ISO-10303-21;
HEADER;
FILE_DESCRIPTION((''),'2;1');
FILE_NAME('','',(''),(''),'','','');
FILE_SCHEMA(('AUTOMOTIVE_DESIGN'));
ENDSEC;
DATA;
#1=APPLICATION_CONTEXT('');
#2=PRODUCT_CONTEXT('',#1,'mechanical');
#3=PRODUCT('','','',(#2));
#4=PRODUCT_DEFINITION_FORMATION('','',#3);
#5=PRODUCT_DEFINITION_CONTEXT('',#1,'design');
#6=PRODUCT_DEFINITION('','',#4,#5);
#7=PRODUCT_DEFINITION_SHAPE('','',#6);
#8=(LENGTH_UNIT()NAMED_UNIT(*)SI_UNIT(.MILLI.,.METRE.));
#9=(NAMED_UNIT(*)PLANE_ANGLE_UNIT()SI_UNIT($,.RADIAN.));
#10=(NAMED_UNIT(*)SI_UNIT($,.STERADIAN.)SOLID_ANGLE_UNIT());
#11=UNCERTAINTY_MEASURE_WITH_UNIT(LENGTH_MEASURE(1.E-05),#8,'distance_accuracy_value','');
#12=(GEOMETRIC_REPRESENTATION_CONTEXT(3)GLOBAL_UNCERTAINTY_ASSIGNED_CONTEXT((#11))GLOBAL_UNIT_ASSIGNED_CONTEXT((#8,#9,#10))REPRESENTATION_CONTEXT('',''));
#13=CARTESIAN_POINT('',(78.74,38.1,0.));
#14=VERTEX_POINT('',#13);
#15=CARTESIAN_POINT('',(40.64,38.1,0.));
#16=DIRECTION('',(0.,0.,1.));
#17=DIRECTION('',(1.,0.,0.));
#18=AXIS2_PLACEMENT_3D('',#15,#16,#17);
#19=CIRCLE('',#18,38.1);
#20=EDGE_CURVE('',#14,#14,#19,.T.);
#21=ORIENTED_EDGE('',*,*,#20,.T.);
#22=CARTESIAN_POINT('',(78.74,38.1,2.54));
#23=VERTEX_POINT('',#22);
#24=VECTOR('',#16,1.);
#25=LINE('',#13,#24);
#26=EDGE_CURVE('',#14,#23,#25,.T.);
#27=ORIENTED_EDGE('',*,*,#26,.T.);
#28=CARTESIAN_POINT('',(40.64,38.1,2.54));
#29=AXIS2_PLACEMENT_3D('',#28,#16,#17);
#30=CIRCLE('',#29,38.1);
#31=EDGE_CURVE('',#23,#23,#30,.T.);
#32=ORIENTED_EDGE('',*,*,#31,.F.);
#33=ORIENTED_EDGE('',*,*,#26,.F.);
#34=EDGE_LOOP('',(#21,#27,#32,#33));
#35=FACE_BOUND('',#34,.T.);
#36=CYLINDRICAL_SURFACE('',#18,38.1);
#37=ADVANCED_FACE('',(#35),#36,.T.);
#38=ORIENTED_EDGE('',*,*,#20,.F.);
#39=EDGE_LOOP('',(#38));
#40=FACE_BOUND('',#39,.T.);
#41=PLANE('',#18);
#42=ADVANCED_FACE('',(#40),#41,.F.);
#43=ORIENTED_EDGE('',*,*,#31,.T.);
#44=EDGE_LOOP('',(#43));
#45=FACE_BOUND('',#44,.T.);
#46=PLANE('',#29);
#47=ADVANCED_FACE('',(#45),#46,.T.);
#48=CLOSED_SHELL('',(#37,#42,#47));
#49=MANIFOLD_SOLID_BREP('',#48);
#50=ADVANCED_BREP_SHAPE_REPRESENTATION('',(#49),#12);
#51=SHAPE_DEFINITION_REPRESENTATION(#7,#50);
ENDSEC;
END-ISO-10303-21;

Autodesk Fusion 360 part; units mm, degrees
cylinder "CylinderPrimitive1" add diameter 76.2 height 2.54 placed x (1, 0, 0) y (0, 1, 0) z (0, 0, 1) at (40.64, 38.1, 0) in component "Disk"
component "Disk" placed x (1, 0, 0) y (0, 1, 0) z (0, 0, 1) at (0, 0, 0)
component "Component" placed x (1, 0, 0) y (0, 1, 0) z (0, 0, 1) at (0, 0, 0)
